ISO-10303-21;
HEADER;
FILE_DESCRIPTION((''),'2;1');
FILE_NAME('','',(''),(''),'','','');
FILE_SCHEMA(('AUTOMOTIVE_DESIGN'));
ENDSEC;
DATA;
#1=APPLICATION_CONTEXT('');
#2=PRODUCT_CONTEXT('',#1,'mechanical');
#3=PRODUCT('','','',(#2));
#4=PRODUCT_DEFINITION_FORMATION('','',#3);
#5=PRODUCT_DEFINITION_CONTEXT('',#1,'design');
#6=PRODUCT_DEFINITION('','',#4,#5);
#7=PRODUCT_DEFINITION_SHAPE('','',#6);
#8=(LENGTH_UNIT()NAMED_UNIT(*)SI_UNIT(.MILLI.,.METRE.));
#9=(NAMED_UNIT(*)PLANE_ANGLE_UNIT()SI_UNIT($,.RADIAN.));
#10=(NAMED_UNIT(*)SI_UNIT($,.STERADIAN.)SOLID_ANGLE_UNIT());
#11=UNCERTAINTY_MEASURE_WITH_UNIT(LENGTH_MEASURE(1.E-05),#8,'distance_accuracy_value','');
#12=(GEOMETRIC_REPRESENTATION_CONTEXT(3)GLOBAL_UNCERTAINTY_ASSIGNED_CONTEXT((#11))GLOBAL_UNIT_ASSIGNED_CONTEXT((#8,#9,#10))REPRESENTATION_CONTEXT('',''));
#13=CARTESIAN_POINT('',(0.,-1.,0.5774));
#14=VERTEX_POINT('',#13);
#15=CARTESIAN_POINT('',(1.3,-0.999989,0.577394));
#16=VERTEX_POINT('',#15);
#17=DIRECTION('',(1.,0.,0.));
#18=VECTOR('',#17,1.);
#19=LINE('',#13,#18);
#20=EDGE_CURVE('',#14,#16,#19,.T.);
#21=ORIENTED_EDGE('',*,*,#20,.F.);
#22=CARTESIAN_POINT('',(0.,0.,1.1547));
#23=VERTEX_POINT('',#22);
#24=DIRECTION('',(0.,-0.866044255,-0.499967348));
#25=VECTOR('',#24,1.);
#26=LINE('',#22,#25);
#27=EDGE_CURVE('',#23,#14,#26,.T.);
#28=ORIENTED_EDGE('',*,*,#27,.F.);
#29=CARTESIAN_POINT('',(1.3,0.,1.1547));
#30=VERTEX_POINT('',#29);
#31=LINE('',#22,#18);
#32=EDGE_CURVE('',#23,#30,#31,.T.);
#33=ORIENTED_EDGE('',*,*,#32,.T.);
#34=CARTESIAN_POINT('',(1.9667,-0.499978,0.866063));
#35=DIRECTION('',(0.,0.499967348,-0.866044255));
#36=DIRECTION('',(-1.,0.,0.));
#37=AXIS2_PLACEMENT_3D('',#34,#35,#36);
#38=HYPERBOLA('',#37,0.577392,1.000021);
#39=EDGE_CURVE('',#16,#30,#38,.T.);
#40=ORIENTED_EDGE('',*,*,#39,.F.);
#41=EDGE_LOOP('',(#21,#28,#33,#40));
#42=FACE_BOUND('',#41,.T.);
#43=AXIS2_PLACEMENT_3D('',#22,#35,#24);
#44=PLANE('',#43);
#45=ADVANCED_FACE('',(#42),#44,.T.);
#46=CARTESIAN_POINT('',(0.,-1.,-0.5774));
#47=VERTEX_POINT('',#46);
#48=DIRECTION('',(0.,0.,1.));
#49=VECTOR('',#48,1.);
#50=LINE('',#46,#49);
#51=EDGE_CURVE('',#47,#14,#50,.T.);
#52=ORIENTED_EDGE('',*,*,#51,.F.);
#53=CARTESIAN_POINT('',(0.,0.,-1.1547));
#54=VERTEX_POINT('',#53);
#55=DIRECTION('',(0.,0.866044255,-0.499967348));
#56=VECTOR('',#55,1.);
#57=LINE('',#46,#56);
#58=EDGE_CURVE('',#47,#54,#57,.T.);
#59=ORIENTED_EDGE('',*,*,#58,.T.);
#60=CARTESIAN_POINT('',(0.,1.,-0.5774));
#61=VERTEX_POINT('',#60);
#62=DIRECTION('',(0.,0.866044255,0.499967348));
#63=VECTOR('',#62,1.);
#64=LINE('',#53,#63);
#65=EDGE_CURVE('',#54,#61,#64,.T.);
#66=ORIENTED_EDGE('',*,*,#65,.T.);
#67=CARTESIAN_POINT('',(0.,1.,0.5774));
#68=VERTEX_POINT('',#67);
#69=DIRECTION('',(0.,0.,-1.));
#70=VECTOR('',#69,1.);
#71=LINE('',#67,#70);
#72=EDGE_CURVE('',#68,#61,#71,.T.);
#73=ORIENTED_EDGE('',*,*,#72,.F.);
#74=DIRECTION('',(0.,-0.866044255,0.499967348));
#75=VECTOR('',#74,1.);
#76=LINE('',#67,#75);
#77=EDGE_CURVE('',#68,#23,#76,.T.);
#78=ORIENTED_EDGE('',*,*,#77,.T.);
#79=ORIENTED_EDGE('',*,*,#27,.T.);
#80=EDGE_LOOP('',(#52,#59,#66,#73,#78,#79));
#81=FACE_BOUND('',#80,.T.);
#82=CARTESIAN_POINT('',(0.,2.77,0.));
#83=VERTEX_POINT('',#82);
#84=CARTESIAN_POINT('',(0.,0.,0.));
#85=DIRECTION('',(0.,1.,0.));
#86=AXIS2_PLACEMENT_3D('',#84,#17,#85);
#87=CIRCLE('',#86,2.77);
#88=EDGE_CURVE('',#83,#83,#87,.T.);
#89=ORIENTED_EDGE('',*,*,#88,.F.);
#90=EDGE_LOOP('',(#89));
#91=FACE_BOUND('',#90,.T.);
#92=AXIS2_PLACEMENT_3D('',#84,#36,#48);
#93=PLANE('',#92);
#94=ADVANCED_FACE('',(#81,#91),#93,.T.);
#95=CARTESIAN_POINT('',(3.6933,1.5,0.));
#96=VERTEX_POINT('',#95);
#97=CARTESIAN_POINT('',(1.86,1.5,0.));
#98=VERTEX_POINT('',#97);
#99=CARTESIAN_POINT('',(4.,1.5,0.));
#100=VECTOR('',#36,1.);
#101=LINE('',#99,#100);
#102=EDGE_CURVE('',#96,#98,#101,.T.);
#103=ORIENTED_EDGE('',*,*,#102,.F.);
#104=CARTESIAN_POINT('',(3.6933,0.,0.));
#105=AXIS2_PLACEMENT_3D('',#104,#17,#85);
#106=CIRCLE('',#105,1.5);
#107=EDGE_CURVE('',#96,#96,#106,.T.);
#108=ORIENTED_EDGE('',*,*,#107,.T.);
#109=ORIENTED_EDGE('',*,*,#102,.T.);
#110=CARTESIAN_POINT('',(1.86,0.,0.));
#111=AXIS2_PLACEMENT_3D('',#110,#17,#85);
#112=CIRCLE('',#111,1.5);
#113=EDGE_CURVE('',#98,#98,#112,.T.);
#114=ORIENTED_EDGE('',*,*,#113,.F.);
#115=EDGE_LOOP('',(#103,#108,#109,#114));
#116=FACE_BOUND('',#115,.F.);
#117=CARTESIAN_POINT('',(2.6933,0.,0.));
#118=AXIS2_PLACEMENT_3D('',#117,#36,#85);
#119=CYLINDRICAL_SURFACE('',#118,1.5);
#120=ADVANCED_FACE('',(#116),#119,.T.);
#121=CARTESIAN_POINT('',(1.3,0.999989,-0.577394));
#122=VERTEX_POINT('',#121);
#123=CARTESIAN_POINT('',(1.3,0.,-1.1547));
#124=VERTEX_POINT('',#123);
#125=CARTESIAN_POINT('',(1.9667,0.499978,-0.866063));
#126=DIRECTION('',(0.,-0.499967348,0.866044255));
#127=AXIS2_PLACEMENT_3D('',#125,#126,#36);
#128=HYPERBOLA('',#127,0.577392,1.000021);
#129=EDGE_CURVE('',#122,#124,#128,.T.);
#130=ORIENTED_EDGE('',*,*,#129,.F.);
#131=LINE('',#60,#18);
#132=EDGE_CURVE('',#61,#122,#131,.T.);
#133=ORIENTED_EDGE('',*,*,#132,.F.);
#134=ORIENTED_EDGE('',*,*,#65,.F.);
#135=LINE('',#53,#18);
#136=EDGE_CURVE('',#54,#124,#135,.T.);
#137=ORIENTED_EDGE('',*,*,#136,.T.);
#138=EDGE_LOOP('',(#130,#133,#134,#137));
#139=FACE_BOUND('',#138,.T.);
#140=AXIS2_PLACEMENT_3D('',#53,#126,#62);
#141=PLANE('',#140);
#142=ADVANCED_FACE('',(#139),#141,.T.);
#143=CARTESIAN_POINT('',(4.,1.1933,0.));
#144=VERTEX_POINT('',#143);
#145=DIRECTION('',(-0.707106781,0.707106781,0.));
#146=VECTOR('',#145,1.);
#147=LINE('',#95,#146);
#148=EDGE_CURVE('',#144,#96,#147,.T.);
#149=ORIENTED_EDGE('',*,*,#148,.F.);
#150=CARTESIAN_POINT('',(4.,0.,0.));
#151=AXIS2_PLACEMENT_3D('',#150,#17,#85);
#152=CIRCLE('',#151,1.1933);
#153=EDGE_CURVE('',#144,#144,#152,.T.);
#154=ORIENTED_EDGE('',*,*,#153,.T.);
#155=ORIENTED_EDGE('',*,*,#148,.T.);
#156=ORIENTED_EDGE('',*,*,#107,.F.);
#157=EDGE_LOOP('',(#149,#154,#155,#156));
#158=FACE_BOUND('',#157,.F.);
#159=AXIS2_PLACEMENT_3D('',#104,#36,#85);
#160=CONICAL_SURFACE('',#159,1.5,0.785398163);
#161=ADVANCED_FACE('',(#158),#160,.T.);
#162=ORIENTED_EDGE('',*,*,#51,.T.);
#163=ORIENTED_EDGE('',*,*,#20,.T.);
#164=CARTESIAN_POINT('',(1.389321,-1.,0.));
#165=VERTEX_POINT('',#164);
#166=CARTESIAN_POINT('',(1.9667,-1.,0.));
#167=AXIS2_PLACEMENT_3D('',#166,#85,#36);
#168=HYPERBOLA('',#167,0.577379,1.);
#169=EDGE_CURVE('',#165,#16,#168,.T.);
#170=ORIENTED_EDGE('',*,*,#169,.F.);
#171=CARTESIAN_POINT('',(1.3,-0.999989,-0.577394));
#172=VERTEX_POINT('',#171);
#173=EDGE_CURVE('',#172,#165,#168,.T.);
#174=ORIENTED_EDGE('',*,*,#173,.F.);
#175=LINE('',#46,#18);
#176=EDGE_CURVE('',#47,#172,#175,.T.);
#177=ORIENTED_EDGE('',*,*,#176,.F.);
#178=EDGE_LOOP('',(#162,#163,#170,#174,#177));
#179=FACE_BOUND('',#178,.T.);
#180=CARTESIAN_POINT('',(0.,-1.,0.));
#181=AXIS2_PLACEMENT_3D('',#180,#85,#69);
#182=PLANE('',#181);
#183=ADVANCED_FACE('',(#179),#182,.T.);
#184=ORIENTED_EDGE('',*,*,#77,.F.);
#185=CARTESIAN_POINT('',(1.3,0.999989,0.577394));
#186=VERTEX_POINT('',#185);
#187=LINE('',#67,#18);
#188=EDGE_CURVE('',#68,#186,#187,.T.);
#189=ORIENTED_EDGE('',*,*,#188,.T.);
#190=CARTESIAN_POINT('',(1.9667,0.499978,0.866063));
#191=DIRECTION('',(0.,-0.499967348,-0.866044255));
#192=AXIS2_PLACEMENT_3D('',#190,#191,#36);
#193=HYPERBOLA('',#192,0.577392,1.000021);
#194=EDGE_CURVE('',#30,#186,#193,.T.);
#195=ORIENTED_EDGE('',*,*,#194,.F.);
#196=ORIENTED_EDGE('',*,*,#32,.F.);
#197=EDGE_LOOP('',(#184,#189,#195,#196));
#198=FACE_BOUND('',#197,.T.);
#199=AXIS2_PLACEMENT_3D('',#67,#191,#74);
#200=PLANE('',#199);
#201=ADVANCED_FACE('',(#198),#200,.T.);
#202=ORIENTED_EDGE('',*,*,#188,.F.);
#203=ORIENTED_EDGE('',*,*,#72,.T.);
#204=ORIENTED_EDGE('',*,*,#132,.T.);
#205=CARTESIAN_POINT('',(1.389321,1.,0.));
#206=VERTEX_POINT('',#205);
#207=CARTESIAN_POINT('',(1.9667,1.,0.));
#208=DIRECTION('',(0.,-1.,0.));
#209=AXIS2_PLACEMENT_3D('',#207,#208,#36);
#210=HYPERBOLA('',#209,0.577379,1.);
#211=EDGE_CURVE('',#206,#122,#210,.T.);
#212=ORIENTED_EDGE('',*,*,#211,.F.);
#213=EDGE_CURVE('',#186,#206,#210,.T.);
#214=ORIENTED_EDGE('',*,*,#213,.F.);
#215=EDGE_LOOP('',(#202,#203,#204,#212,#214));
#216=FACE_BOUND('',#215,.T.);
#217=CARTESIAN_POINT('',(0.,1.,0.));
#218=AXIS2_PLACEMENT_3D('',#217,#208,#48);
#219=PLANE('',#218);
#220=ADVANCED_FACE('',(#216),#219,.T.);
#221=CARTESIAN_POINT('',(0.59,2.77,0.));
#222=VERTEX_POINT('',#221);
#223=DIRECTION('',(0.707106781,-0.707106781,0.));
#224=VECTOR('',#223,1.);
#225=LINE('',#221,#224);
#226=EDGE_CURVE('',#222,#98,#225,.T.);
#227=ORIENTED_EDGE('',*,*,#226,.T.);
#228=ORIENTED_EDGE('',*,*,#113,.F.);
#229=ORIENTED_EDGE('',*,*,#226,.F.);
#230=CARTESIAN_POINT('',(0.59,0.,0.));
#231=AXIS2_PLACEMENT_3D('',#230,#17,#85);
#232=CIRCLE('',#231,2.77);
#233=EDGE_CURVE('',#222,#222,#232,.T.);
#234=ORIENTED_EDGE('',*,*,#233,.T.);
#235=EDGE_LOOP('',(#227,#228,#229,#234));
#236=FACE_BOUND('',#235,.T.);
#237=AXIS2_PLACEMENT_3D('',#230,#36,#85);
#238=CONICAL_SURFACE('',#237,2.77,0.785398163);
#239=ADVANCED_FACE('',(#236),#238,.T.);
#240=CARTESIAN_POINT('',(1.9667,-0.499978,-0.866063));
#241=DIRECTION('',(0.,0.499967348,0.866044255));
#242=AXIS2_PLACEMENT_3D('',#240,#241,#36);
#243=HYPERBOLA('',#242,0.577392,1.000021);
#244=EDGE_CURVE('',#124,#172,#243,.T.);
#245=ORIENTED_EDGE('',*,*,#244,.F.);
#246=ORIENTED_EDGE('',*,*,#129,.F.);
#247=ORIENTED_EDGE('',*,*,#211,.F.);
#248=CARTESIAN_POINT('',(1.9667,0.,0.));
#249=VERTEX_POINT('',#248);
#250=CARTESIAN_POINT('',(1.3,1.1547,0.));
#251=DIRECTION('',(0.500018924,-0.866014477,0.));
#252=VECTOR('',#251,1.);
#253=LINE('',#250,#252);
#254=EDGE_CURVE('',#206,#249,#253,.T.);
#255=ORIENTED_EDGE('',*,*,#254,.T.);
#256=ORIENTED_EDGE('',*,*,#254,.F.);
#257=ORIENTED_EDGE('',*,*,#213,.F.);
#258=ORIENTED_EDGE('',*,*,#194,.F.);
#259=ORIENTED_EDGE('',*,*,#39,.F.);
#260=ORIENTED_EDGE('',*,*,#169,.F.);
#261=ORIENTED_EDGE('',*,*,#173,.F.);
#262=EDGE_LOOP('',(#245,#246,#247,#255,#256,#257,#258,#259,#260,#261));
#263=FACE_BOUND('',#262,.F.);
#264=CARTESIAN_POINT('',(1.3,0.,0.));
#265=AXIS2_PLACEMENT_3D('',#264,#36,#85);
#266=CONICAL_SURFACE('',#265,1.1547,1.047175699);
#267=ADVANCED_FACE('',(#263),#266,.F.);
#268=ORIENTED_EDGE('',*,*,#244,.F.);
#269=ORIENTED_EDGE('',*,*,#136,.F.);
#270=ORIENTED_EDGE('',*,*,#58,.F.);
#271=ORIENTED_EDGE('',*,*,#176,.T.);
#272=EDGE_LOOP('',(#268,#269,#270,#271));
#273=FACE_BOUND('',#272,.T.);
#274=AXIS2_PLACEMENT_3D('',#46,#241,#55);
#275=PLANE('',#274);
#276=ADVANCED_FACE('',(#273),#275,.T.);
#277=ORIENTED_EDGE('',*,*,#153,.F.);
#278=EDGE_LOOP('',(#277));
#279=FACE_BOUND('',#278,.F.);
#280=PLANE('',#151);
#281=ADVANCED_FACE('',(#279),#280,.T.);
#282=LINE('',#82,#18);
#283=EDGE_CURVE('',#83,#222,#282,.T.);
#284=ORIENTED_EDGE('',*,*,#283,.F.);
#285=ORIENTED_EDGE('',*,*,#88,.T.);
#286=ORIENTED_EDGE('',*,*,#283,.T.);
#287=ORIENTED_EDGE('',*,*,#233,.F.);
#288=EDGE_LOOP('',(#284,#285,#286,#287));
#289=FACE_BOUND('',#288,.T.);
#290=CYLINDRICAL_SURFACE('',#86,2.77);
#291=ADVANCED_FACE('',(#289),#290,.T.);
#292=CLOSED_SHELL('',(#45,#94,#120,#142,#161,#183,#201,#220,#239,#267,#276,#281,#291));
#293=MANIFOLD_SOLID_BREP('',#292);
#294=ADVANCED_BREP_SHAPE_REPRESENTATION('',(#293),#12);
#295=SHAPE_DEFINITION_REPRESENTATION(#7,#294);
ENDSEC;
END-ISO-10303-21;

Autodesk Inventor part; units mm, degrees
ref_plane "YZ Plane" through (0, 0, 0) normal (1, 0, 0) x (0, 1, 0)
ref_plane "XZ Plane" through (0, 0, 0) normal (0, 1, 0) x (-1, 0, 0)
sketch "Skizze1" plane through (0, 0, 0) normal (0, 0, 1) x (1, 0, 0)
  line L0 (4, 0) -> (4, 1.5)
  line L1 (4, 1.5) -> (3, 1.5)
  line L2 (3, 1.5) -> (2.6933, 1.5)
  line L3 (0, 2.77) -> (0, 1.1547)
  line L4 (0, 1.1547) -> (1.3, 1.1547)
  line L5 (1.3, 1.1547) -> (1.9667, 0)
  line L6 (1.9667, 0) -> (4, 0)
  line L7 (0, 2.77) -> (0.59, 2.77)
  line L8 (0.59, 2.77) -> (1.86, 1.5)
  line L9 (2.6933, 1.5) -> (1.86, 1.5)
  line L10 (3, 1.5) -> (1.86, 1.5) construction
  line L11 (1.86, 1.5) -> (1.86, 1.5)
  line L12 (-0.8, 0) -> (4.8, 0) projected
  line L13 (0, -0.554) -> (0, 3.324) projected
  dimension "d0" = 4
  dimension "d1" = 1
  dimension "d2" = 1.3
  dimension "d3" = 3
  dimension "d6" = 1.86
  dimension "d7" = 45
  dimension "d8" = 2.3094
  dimension "d9" = 60
  dimension "d10" = 5.54
  dimension "d11" = 3
  dimension "d12" = 0.3067
revolve "Körper" add sketch "Skizze1" angle 360 about axis through (1.9667, 0, 0) along (1, 0, 0) contours L6 L5 L4 L3 L7 L8 L9 L2 L1 L0
sketch "Skizze2" plane through (0, 0, 0) normal (-1, 0, 0) x (0, 0, 1)
  circle A0 centre (0, 0) radius 1.1547 projected
  line L0 (0, -3.878) -> (0, 3.878) projected
  line L1 (-3.878, 0) -> (3.878, 0) projected
  line L2 (1.1547, 0) -> (0.5774, -1)
  line L3 (0.5774, -1) -> (-0.5774, -1)
  line L4 (-0.5774, -1) -> (-1.1547, 0)
  line L5 (-1.1547, 0) -> (-0.5774, 1)
  line L6 (-0.5774, 1) -> (0.5774, 1)
  line L7 (0.5774, 1) -> (1.1547, 0)
  point P0 (0, 1.1547)
extrude "Loch" add sketch "Skizze2" against normal up to next contours L7 A0 | A0 L2 | L6 L0 A0 | A0 L0 L3 | L0 L6 A0 | A0 L3 L0 | L4 A0 | A0 L5
thread "Gewinde" size "M3x0.5" class "6g" standard "ISO Metric profile" length 4
chamfer "Fase1" distance 0.3067 distance2 0.3067 1 edges at (4, -1.5, 0) measured on face at (4, 0.6824, 0.2556)
ref_plane "Work Plane1" through (104.775, 0, 0) normal (0, 0, -1) x (1, 0, 0)
equation "\"d15\" = GEL"
equation "\"d17\" = -0.5 * SPD + 0.5 * GD"
equation "\"d18\" = GUL"
equation "\"d2\" = INTI"
equation "\"d3\" = GD"
equation "\"d6\" = KOH"
equation "\"d7\" = 0.5 * SEWI"
equation "\"d8\" = 1.1547 * SW"
equation "\"d10\" = KOD"
equation "\"d11\" = BDM"
equation "\"d12\" = GAL"
equation "\"NLG\" = 8"
equation "\"INTI\" = 1.3"
equation "\"GEL\" = 4"
equation "\"GAL\" = 0.61345 * PTC"
equation "\"KOH\" = 1.86"
equation "\"KOD\" = 5.54"
equation "\"GUL\" = 0.61345 * PTC"
equation "\"SPD\" = NND - 1.2269 * PTC"
equation "\"BDM\" = NND"
equation "\"GD\" = NND"
equation "\"SEWI\" = 90deg"
equation "\"SW\" = 2"
equation "\"TOA\" = 30deg"
equation "\"GD1\" = THREADDIA - 1.2269 * PTC"
equation "\"EPV\" = 3.36"
equation "\"THREADDIA\" = 3"
equation "\"PTC\" = 0.5"
equation "\"NND\" = 3"
equation "\"E0\" = 2.31"
equation "\"THREADDESC\" = 1.2345"
properties part number "ISO 10642 - M3 x  8" material "Stahl"
